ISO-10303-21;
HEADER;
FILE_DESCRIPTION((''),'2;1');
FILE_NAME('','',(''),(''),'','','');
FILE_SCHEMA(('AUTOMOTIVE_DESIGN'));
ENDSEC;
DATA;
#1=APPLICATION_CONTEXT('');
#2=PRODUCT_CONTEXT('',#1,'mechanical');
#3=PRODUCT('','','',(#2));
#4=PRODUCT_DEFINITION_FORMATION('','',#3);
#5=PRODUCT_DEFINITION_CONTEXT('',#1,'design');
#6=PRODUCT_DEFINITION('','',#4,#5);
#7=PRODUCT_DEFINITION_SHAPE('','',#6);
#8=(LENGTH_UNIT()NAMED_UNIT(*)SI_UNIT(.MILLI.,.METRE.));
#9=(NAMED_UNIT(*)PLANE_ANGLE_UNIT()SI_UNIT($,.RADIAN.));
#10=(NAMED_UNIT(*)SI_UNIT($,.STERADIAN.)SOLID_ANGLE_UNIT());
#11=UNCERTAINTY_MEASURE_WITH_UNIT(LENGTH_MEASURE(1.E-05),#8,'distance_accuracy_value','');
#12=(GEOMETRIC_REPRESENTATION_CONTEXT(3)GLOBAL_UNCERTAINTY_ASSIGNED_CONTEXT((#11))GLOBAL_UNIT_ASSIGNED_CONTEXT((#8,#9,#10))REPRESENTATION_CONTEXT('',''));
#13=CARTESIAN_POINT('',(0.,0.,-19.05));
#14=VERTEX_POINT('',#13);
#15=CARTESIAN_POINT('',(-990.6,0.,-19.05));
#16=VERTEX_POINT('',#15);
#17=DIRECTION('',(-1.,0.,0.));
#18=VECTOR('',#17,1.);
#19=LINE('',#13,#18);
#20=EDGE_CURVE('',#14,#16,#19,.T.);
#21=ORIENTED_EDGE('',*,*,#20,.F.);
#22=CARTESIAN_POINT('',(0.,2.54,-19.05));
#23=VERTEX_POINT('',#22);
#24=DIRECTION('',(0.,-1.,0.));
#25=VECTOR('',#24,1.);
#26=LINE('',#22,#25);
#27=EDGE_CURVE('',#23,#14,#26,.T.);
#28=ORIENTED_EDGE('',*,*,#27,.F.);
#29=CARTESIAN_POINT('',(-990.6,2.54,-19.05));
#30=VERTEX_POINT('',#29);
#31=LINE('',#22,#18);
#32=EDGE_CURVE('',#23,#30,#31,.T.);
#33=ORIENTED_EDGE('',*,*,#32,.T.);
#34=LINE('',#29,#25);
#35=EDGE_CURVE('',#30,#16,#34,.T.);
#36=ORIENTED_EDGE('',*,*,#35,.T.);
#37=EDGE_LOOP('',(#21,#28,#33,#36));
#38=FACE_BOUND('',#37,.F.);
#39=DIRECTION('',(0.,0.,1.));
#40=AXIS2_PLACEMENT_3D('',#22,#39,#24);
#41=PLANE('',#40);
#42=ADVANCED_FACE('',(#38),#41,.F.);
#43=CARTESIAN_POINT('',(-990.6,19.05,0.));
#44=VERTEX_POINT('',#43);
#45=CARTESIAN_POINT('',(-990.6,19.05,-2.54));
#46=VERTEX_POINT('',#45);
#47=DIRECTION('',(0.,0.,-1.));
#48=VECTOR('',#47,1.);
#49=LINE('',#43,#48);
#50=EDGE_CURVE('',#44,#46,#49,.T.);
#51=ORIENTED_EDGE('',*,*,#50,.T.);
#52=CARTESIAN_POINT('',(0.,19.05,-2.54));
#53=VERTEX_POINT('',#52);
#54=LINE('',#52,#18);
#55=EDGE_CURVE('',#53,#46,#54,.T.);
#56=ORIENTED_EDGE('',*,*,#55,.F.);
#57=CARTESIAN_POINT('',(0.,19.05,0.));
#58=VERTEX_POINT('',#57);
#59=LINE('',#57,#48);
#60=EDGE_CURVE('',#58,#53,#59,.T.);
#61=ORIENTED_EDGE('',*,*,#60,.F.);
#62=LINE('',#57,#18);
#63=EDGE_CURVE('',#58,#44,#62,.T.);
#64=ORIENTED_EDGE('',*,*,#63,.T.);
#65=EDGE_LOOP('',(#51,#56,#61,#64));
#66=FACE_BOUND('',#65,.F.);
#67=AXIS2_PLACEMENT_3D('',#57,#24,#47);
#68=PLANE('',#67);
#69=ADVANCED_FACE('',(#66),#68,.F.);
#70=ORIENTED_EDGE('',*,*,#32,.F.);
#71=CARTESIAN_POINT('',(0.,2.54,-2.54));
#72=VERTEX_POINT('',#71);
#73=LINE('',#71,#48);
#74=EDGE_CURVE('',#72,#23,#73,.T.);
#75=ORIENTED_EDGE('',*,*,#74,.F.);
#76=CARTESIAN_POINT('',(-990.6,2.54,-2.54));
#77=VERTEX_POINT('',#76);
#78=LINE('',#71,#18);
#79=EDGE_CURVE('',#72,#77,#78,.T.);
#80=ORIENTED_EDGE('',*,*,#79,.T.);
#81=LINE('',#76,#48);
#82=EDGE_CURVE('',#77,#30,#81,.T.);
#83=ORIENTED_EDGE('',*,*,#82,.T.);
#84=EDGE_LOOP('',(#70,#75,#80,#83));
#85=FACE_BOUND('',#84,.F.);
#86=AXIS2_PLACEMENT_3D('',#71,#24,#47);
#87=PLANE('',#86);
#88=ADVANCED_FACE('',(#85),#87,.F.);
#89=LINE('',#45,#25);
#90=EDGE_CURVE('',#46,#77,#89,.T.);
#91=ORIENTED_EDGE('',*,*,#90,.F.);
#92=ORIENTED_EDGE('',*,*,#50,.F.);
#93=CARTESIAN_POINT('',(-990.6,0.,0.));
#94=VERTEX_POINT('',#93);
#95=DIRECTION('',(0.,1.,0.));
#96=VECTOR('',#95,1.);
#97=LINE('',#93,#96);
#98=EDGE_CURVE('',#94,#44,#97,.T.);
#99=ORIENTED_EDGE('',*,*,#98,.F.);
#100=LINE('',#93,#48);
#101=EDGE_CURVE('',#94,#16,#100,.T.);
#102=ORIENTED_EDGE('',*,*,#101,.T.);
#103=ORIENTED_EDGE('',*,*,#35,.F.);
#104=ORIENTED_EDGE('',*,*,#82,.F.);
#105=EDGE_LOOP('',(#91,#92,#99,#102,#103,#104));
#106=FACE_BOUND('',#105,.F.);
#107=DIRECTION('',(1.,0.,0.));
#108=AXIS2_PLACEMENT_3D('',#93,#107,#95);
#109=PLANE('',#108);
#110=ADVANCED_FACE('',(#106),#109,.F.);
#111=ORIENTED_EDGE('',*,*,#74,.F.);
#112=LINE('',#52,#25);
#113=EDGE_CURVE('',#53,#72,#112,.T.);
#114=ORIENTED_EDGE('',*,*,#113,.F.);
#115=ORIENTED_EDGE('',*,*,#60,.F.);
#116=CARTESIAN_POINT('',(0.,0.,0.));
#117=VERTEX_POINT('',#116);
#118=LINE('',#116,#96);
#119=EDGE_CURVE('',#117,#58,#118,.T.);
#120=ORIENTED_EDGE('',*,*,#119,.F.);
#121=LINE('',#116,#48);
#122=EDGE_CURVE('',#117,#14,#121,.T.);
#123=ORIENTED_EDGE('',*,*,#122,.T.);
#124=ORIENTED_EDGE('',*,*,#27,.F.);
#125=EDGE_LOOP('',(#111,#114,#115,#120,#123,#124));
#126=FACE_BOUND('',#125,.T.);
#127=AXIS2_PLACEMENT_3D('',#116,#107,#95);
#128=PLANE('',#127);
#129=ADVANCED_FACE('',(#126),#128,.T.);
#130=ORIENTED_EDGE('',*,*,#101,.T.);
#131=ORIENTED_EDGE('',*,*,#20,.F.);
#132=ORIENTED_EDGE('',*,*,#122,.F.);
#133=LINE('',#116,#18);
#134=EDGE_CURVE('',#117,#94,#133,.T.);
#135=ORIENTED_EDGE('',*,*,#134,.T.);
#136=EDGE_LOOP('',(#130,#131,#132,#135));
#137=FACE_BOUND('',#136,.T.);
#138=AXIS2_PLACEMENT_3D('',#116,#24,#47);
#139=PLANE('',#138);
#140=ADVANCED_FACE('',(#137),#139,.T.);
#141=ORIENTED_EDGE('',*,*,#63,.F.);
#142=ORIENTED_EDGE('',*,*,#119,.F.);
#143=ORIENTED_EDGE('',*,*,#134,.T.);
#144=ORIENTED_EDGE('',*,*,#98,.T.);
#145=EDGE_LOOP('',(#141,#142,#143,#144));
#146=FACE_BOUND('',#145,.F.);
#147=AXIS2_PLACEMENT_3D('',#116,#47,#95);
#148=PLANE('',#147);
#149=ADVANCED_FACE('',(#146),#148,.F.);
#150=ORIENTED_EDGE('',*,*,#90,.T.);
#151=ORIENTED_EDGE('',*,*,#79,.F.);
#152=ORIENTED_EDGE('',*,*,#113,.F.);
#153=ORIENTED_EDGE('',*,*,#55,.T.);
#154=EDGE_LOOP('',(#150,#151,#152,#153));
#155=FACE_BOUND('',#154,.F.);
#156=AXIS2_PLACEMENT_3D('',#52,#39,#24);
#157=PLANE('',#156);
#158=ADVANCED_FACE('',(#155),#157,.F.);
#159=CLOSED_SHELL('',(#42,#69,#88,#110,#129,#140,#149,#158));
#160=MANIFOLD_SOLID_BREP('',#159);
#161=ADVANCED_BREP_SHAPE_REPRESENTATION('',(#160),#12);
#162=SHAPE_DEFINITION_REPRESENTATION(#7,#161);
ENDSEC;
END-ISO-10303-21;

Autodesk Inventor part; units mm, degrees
ref_plane "YZ Plane" through (0, 0, 0) normal (1, 0, 0) x (0, 1, 0)
ref_plane "XZ Plane" through (0, 0, 0) normal (0, 1, 0) x (-1, 0, 0)
ref_plane "XY Plane" through (0, 0, 0) normal (0, 0, 1) x (1, 0, 0)
sketch "Sketch1" plane through (0, 0, 0) normal (1, 0, 0) x (0, 1, 0)
  line L0 (0, 0) -> (0, -19.05)
  line L1 (0, 0) -> (19.05, 0)
  line L2 (19.05, -2.54) -> (2.54, -2.54)
  line L3 (2.54, -2.54) -> (2.54, -19.05)
  line L4 (2.54, -19.05) -> (0, -19.05)
  line L5 (19.05, 0) -> (19.05, -2.54)
  dimension "d0" = 19.05
  dimension "d2" = 19.05
  dimension "d3" = 2.54
extrude "Extrusion1" add sketch "Sketch1" against normal blind 990.6
properties part number "AluminumLchannel"
